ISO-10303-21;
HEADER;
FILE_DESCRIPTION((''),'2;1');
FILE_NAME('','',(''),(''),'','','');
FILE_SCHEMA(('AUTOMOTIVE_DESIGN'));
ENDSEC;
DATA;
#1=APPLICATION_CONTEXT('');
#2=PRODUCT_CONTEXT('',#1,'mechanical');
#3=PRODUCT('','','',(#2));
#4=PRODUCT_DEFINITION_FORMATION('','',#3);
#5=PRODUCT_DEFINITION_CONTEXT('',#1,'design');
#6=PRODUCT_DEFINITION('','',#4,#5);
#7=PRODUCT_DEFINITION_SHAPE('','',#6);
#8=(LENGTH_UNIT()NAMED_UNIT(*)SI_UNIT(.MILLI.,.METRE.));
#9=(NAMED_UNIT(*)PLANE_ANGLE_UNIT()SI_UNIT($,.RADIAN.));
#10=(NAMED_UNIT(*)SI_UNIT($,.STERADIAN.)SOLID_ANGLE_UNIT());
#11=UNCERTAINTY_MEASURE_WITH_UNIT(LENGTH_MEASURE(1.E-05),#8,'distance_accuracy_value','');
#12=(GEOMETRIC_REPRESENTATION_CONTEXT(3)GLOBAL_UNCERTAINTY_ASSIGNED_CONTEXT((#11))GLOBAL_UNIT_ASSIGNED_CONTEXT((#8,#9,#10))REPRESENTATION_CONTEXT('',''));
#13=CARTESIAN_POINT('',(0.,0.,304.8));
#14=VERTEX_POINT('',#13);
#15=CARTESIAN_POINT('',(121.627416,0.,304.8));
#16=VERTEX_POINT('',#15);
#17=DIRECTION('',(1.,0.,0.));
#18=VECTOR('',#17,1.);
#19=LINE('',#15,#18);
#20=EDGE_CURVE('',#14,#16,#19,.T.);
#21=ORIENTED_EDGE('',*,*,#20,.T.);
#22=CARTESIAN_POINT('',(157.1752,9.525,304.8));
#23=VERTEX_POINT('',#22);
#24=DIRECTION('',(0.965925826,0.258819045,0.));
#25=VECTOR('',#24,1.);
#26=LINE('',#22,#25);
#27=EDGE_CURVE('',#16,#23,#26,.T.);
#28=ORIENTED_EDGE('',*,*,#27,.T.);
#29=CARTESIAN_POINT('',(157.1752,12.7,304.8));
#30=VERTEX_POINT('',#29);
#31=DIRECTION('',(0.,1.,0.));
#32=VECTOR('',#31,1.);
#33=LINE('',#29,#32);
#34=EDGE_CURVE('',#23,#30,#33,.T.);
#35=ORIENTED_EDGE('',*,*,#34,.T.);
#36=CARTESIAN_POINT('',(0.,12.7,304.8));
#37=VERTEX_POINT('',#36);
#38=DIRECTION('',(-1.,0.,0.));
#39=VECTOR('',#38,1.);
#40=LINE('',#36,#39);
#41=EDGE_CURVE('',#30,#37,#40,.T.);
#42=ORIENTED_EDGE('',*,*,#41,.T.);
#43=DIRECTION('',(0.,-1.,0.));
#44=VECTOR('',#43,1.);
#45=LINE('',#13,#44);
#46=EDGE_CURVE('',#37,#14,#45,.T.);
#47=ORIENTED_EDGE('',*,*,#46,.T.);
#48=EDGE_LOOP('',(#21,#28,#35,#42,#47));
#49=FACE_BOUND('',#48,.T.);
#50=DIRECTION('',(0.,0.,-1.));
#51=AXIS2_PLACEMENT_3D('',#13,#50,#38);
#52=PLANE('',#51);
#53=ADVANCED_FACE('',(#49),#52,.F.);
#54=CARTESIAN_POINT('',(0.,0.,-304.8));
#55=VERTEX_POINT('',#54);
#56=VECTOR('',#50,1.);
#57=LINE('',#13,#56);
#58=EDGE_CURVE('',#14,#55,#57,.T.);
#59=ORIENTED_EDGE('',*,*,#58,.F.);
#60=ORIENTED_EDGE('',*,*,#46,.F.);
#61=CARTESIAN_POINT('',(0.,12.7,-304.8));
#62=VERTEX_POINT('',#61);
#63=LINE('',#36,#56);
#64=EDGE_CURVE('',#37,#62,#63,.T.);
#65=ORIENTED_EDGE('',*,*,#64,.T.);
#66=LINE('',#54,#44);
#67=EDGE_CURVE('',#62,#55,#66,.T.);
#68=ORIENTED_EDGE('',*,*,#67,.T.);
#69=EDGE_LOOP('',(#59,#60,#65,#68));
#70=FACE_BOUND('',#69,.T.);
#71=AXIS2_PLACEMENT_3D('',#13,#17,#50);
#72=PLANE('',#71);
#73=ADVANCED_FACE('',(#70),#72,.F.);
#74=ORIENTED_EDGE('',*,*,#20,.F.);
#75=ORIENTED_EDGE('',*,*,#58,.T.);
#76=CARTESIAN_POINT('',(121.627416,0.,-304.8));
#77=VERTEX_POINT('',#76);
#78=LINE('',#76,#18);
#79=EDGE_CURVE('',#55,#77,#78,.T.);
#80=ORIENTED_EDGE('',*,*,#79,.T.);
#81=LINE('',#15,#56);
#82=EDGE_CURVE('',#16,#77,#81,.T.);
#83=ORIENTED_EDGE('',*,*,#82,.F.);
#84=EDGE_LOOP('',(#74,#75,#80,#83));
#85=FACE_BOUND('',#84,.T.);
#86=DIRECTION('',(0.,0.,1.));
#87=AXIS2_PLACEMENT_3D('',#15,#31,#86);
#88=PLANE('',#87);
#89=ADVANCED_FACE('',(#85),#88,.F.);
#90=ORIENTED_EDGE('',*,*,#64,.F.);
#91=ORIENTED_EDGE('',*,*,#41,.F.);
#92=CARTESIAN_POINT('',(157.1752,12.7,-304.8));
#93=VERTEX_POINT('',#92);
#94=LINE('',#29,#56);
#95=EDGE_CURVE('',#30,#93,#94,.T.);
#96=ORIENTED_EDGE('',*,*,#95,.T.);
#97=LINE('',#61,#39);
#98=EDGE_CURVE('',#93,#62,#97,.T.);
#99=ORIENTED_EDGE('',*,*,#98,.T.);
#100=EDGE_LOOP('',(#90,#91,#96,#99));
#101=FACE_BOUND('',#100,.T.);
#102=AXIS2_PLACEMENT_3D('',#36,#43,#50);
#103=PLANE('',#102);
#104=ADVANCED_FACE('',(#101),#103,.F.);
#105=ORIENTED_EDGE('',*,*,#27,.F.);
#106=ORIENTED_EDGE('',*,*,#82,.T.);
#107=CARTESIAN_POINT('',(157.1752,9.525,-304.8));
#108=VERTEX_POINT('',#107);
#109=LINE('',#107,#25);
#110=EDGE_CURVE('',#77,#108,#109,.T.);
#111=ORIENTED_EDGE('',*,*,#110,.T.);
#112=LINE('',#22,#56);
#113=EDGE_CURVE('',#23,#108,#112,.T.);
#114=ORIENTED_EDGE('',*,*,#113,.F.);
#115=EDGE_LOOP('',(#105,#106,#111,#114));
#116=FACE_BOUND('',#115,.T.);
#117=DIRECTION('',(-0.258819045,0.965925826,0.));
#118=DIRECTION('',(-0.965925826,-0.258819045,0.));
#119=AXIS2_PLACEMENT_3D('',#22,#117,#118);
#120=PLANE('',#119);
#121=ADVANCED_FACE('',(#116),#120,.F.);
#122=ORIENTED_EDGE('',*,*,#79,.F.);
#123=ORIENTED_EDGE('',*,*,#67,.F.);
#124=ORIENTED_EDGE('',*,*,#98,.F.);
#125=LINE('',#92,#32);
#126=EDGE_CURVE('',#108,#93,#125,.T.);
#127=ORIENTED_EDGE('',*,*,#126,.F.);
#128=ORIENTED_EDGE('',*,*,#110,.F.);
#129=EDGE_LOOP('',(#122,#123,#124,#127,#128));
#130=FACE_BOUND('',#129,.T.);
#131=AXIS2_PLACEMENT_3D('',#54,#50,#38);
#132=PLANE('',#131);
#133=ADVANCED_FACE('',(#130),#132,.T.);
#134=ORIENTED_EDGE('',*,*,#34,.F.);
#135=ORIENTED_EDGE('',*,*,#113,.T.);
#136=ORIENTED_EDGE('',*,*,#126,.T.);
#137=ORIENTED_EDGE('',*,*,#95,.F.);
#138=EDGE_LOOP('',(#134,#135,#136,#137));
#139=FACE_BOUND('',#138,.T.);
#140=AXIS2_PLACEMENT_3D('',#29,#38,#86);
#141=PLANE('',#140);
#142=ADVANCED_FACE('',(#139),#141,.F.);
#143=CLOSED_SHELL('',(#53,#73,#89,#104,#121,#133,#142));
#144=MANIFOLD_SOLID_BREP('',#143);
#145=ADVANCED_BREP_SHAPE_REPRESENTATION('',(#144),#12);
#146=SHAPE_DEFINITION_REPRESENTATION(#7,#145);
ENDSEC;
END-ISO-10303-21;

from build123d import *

# Parameters (mm, degrees)
BOSS_EXTRUDE1_DEPTH = 304.8


with BuildPart() as part:
    # Sketch1 → Boss-Extrude1 (new body, symmetric)
    with BuildSketch(Plane.XY):
        Polygon((0, 0), (0, 12.7), (157.1752, 12.7), (157.1752, 9.525), (121.627416058, 0), align=None)
    extrude(amount=BOSS_EXTRUDE1_DEPTH, both=True)


solid = part.part
